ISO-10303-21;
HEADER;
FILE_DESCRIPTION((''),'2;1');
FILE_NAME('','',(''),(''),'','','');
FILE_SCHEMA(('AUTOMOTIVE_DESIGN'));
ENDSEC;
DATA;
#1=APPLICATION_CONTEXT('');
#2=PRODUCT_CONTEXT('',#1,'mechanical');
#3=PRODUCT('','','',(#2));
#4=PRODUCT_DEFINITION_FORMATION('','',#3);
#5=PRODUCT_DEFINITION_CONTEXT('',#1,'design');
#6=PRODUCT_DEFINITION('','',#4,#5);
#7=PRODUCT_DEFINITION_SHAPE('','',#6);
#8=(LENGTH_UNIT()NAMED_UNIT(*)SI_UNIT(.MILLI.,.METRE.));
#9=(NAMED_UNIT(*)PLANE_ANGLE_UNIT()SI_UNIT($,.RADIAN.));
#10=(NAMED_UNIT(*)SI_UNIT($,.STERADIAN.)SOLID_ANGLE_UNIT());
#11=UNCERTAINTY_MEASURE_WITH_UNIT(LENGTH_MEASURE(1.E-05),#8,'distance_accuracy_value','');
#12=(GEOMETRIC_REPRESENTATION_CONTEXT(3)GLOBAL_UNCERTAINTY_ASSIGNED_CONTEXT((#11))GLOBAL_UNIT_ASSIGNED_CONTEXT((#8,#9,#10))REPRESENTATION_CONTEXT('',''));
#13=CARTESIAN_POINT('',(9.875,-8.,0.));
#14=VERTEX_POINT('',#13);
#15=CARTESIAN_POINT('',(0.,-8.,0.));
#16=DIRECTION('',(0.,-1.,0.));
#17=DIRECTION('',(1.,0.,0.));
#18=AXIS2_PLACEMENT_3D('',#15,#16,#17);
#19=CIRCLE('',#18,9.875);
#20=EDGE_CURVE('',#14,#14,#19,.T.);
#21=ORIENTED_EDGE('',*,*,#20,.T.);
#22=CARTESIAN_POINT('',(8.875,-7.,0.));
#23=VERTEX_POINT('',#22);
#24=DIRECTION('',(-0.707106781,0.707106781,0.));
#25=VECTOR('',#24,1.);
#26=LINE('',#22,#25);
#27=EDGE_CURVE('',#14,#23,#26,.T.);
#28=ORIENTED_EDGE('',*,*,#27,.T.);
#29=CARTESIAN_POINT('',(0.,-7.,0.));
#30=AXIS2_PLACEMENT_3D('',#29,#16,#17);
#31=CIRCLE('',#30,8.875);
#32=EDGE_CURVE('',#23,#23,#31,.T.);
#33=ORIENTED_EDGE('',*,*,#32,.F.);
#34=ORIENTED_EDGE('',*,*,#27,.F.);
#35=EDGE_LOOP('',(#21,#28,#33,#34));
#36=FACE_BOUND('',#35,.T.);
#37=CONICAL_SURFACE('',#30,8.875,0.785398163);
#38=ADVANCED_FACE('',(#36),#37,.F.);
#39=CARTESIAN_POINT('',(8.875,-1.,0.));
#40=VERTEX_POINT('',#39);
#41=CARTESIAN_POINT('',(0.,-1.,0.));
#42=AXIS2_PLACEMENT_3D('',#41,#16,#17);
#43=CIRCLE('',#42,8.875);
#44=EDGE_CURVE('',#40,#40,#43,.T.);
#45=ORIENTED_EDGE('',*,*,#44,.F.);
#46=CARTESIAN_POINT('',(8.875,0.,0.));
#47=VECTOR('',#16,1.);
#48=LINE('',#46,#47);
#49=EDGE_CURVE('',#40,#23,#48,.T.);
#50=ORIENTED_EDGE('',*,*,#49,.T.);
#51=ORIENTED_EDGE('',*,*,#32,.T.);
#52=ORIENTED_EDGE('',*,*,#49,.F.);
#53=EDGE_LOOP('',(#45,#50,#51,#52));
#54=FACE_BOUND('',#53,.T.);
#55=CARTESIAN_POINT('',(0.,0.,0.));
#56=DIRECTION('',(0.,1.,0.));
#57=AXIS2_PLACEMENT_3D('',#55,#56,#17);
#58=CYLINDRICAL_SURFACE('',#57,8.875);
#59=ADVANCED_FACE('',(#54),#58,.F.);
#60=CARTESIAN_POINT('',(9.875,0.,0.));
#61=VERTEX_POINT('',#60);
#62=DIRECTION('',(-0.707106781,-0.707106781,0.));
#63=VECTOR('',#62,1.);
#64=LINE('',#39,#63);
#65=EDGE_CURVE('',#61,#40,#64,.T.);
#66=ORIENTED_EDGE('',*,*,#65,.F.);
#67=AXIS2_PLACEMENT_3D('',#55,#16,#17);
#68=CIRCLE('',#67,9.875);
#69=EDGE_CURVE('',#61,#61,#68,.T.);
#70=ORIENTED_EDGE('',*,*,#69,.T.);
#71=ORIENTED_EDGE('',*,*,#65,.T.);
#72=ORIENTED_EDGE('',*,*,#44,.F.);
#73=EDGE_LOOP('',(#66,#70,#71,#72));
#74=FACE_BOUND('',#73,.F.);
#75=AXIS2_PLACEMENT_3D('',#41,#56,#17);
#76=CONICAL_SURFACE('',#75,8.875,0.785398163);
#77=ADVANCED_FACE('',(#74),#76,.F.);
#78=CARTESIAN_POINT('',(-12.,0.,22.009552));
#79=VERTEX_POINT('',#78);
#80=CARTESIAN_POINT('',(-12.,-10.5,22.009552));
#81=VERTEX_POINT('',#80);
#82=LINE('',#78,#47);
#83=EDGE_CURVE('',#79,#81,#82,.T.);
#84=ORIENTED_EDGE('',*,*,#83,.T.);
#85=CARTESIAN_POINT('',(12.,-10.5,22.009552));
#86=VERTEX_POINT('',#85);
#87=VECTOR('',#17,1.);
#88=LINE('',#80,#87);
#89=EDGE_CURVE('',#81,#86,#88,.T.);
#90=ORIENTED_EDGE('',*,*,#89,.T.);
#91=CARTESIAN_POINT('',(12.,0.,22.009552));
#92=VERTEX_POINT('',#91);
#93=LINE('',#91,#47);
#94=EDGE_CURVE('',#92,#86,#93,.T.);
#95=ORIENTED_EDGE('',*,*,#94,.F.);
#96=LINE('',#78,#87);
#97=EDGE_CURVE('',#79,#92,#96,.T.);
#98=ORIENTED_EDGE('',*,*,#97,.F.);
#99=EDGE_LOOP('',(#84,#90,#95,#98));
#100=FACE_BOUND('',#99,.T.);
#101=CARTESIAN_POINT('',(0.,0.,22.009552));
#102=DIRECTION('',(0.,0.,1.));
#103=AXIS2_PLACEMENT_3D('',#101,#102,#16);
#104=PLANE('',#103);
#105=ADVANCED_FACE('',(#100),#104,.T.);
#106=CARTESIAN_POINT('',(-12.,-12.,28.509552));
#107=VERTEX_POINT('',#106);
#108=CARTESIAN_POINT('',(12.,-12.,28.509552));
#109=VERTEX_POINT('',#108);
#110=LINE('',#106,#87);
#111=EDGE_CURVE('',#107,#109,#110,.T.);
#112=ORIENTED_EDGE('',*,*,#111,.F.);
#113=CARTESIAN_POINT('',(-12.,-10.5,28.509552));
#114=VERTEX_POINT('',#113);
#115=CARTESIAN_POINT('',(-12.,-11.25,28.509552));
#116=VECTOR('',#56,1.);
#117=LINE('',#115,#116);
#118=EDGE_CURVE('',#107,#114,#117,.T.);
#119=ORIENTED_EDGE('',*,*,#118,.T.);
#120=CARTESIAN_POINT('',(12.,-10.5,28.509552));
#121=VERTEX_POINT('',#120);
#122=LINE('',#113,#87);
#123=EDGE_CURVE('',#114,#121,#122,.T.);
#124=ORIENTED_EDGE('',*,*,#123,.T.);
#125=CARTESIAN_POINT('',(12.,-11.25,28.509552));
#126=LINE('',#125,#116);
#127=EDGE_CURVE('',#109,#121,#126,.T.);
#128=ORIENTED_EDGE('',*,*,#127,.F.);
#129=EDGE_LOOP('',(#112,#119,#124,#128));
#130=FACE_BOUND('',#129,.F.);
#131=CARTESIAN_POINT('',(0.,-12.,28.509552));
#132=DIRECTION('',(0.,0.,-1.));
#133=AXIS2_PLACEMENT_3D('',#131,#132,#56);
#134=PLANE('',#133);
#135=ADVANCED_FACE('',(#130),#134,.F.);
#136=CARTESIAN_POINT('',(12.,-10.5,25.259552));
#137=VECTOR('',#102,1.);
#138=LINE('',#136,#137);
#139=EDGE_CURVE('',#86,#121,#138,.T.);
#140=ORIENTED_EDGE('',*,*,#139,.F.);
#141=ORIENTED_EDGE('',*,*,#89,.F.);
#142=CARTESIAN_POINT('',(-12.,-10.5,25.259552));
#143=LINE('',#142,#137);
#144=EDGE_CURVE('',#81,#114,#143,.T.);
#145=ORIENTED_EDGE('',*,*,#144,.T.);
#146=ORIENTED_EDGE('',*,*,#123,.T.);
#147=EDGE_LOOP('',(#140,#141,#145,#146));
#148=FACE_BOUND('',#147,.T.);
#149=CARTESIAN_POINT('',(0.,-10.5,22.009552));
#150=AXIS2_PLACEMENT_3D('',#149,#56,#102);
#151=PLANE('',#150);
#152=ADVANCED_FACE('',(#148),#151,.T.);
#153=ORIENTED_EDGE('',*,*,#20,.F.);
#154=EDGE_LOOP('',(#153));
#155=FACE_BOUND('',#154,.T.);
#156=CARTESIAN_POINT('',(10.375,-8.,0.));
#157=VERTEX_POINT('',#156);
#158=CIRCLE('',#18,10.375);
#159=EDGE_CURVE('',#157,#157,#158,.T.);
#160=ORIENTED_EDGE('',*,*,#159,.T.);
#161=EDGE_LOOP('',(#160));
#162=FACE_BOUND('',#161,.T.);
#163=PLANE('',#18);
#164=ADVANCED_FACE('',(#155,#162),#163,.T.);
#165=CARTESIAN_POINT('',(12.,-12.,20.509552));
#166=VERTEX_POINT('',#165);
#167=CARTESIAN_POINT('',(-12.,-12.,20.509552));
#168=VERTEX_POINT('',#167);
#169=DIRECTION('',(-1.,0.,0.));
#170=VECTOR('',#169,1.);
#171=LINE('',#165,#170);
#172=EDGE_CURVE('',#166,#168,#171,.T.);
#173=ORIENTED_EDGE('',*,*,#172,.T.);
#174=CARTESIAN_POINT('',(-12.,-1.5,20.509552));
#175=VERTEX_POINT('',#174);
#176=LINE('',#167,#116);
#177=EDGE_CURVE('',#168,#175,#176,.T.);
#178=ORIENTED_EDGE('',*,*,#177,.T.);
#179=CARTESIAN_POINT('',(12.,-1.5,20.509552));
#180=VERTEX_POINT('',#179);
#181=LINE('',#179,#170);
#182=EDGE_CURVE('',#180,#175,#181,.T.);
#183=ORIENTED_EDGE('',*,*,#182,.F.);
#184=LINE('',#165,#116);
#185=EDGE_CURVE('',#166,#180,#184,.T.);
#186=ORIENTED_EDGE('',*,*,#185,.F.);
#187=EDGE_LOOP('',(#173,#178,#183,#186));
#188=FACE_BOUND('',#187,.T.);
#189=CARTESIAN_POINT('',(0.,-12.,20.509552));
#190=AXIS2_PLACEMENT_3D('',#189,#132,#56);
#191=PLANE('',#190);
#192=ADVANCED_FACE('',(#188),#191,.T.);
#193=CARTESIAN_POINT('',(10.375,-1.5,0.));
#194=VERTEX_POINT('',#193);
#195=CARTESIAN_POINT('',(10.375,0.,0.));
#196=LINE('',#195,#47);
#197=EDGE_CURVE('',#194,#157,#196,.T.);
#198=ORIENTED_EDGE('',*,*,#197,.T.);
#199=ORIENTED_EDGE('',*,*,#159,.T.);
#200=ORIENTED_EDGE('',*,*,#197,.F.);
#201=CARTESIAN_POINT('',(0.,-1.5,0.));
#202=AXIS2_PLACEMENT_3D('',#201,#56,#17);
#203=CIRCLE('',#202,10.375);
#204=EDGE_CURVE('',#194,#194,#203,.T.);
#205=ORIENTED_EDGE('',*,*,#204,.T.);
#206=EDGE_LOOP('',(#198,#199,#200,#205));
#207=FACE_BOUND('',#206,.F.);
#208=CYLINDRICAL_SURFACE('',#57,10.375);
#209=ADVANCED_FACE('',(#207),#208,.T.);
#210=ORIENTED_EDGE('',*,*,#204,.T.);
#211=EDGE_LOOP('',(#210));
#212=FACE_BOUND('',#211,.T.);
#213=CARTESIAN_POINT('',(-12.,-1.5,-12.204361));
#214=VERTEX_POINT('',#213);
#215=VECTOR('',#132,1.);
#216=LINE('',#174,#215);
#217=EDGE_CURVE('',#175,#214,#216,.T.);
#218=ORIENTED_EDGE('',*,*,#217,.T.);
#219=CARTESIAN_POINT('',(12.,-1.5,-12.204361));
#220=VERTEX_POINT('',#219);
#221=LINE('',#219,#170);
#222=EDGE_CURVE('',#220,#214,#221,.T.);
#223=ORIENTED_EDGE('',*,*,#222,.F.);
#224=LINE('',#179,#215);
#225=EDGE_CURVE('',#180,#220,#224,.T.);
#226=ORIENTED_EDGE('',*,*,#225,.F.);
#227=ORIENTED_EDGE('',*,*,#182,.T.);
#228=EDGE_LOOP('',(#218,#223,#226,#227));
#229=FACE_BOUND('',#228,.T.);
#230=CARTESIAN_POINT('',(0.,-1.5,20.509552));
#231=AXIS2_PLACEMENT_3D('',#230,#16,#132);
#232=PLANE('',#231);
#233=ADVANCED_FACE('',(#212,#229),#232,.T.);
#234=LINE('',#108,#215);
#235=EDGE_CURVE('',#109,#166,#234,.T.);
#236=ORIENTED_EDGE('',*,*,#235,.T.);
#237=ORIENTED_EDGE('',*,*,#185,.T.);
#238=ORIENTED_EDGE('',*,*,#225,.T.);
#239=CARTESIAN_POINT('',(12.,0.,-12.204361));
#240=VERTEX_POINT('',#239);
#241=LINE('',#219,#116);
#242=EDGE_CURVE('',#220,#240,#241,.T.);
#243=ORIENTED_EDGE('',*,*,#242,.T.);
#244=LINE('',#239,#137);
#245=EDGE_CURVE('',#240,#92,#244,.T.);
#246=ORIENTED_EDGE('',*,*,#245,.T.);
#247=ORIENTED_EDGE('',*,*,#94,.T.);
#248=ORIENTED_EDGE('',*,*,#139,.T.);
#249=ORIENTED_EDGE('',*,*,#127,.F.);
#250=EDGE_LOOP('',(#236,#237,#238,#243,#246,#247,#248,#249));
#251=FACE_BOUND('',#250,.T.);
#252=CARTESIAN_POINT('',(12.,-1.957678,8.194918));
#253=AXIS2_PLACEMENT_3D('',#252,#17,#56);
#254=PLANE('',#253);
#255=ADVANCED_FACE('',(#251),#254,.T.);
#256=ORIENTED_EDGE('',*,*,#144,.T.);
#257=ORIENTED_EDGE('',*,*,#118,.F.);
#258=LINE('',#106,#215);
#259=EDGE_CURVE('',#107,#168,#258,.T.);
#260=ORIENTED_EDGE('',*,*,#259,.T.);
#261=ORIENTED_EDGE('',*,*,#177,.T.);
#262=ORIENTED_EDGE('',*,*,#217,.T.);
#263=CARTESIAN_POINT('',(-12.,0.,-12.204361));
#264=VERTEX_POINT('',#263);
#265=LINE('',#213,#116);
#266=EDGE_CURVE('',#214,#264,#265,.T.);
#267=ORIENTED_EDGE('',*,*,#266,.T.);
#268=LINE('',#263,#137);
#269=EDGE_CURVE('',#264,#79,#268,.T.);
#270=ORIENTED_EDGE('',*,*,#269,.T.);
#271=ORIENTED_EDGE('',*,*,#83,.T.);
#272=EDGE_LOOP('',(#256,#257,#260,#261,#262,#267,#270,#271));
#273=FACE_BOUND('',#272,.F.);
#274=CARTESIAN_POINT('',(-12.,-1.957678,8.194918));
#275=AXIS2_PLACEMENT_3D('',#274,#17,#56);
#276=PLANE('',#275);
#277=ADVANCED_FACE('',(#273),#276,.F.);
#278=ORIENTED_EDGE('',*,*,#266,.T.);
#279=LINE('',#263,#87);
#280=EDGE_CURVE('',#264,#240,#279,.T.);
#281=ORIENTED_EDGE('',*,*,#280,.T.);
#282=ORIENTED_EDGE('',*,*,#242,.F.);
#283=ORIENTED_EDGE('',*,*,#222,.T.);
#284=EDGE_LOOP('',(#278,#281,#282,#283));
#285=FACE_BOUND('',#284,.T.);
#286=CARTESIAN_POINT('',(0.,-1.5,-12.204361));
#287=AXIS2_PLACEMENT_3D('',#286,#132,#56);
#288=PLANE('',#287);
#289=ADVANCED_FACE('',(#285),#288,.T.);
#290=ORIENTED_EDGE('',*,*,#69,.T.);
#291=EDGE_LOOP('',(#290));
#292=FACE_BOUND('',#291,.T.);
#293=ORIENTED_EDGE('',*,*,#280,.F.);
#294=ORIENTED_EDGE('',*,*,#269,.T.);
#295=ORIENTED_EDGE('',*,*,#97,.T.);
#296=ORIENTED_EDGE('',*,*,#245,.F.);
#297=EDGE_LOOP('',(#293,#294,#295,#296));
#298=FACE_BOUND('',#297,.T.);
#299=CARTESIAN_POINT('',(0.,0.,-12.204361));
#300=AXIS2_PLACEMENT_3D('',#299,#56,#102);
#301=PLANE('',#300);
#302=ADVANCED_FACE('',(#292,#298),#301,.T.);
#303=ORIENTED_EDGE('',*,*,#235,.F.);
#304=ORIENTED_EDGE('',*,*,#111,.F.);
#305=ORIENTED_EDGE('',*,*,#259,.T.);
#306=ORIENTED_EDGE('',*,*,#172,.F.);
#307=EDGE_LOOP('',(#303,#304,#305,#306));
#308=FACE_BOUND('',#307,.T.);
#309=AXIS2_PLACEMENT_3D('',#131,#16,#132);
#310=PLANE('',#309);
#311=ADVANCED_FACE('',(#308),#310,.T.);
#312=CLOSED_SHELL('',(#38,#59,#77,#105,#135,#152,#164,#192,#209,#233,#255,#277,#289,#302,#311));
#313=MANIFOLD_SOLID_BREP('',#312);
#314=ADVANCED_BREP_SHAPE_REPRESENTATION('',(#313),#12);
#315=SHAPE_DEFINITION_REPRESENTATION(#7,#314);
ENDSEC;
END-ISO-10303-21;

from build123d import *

# Parameters (mm, degrees)
F1_W          = 1.5
F1_H          = 6.5
F1_H_2        = 1.5
F2_DEPTH      = 12
F2_DEPTH_BACK = 12
F0_R          = 8.875
F3_DEPTH      = 25
F0_R_2        = 10.375
F4_DEPTH      = 8
F5_SIZE       = 1


with BuildPart() as f2:
    # F1 (on Right) → F2 (new body, two sides)
    with BuildSketch(Plane.YZ) as f2_sk:
        Polygon((-1.5, -12.204361), (0, -12.204361), (0, 20.509552), (0, 22.009552), (-1.5, 22.009552), (-10.5, 22.009552), (-10.5, 20.509552), (-1.5, 20.509552), align=None)
        with Locations((-11.25, 25.259552)):
            Rectangle(F1_W, F1_H)
        with Locations((-11.25, 21.259552)):
            Rectangle(F1_W, F1_H_2)
    extrude(amount=F2_DEPTH)
    extrude(f2_sk.sketch, amount=-F2_DEPTH_BACK)

    # F0 (on Front) → F3 (cut)
    with BuildSketch(Plane.XZ):
        Circle(F0_R)
    extrude(amount=F3_DEPTH, mode=Mode.SUBTRACT)

    # F0 (on Front) → F4 (join)
    with BuildSketch(Plane.XZ):
        Circle(F0_R_2)
        Circle(F0_R, mode=Mode.SUBTRACT)
    extrude(amount=F4_DEPTH)

    # F5
    f5_edges = [f2.edges().sort_by_distance(p)[0] for p in [
        (-8.875, -8, 0),
        (-8.875, 0, 0),
    ]]
    chamfer(f5_edges, length=F5_SIZE)


solid = f2.part
